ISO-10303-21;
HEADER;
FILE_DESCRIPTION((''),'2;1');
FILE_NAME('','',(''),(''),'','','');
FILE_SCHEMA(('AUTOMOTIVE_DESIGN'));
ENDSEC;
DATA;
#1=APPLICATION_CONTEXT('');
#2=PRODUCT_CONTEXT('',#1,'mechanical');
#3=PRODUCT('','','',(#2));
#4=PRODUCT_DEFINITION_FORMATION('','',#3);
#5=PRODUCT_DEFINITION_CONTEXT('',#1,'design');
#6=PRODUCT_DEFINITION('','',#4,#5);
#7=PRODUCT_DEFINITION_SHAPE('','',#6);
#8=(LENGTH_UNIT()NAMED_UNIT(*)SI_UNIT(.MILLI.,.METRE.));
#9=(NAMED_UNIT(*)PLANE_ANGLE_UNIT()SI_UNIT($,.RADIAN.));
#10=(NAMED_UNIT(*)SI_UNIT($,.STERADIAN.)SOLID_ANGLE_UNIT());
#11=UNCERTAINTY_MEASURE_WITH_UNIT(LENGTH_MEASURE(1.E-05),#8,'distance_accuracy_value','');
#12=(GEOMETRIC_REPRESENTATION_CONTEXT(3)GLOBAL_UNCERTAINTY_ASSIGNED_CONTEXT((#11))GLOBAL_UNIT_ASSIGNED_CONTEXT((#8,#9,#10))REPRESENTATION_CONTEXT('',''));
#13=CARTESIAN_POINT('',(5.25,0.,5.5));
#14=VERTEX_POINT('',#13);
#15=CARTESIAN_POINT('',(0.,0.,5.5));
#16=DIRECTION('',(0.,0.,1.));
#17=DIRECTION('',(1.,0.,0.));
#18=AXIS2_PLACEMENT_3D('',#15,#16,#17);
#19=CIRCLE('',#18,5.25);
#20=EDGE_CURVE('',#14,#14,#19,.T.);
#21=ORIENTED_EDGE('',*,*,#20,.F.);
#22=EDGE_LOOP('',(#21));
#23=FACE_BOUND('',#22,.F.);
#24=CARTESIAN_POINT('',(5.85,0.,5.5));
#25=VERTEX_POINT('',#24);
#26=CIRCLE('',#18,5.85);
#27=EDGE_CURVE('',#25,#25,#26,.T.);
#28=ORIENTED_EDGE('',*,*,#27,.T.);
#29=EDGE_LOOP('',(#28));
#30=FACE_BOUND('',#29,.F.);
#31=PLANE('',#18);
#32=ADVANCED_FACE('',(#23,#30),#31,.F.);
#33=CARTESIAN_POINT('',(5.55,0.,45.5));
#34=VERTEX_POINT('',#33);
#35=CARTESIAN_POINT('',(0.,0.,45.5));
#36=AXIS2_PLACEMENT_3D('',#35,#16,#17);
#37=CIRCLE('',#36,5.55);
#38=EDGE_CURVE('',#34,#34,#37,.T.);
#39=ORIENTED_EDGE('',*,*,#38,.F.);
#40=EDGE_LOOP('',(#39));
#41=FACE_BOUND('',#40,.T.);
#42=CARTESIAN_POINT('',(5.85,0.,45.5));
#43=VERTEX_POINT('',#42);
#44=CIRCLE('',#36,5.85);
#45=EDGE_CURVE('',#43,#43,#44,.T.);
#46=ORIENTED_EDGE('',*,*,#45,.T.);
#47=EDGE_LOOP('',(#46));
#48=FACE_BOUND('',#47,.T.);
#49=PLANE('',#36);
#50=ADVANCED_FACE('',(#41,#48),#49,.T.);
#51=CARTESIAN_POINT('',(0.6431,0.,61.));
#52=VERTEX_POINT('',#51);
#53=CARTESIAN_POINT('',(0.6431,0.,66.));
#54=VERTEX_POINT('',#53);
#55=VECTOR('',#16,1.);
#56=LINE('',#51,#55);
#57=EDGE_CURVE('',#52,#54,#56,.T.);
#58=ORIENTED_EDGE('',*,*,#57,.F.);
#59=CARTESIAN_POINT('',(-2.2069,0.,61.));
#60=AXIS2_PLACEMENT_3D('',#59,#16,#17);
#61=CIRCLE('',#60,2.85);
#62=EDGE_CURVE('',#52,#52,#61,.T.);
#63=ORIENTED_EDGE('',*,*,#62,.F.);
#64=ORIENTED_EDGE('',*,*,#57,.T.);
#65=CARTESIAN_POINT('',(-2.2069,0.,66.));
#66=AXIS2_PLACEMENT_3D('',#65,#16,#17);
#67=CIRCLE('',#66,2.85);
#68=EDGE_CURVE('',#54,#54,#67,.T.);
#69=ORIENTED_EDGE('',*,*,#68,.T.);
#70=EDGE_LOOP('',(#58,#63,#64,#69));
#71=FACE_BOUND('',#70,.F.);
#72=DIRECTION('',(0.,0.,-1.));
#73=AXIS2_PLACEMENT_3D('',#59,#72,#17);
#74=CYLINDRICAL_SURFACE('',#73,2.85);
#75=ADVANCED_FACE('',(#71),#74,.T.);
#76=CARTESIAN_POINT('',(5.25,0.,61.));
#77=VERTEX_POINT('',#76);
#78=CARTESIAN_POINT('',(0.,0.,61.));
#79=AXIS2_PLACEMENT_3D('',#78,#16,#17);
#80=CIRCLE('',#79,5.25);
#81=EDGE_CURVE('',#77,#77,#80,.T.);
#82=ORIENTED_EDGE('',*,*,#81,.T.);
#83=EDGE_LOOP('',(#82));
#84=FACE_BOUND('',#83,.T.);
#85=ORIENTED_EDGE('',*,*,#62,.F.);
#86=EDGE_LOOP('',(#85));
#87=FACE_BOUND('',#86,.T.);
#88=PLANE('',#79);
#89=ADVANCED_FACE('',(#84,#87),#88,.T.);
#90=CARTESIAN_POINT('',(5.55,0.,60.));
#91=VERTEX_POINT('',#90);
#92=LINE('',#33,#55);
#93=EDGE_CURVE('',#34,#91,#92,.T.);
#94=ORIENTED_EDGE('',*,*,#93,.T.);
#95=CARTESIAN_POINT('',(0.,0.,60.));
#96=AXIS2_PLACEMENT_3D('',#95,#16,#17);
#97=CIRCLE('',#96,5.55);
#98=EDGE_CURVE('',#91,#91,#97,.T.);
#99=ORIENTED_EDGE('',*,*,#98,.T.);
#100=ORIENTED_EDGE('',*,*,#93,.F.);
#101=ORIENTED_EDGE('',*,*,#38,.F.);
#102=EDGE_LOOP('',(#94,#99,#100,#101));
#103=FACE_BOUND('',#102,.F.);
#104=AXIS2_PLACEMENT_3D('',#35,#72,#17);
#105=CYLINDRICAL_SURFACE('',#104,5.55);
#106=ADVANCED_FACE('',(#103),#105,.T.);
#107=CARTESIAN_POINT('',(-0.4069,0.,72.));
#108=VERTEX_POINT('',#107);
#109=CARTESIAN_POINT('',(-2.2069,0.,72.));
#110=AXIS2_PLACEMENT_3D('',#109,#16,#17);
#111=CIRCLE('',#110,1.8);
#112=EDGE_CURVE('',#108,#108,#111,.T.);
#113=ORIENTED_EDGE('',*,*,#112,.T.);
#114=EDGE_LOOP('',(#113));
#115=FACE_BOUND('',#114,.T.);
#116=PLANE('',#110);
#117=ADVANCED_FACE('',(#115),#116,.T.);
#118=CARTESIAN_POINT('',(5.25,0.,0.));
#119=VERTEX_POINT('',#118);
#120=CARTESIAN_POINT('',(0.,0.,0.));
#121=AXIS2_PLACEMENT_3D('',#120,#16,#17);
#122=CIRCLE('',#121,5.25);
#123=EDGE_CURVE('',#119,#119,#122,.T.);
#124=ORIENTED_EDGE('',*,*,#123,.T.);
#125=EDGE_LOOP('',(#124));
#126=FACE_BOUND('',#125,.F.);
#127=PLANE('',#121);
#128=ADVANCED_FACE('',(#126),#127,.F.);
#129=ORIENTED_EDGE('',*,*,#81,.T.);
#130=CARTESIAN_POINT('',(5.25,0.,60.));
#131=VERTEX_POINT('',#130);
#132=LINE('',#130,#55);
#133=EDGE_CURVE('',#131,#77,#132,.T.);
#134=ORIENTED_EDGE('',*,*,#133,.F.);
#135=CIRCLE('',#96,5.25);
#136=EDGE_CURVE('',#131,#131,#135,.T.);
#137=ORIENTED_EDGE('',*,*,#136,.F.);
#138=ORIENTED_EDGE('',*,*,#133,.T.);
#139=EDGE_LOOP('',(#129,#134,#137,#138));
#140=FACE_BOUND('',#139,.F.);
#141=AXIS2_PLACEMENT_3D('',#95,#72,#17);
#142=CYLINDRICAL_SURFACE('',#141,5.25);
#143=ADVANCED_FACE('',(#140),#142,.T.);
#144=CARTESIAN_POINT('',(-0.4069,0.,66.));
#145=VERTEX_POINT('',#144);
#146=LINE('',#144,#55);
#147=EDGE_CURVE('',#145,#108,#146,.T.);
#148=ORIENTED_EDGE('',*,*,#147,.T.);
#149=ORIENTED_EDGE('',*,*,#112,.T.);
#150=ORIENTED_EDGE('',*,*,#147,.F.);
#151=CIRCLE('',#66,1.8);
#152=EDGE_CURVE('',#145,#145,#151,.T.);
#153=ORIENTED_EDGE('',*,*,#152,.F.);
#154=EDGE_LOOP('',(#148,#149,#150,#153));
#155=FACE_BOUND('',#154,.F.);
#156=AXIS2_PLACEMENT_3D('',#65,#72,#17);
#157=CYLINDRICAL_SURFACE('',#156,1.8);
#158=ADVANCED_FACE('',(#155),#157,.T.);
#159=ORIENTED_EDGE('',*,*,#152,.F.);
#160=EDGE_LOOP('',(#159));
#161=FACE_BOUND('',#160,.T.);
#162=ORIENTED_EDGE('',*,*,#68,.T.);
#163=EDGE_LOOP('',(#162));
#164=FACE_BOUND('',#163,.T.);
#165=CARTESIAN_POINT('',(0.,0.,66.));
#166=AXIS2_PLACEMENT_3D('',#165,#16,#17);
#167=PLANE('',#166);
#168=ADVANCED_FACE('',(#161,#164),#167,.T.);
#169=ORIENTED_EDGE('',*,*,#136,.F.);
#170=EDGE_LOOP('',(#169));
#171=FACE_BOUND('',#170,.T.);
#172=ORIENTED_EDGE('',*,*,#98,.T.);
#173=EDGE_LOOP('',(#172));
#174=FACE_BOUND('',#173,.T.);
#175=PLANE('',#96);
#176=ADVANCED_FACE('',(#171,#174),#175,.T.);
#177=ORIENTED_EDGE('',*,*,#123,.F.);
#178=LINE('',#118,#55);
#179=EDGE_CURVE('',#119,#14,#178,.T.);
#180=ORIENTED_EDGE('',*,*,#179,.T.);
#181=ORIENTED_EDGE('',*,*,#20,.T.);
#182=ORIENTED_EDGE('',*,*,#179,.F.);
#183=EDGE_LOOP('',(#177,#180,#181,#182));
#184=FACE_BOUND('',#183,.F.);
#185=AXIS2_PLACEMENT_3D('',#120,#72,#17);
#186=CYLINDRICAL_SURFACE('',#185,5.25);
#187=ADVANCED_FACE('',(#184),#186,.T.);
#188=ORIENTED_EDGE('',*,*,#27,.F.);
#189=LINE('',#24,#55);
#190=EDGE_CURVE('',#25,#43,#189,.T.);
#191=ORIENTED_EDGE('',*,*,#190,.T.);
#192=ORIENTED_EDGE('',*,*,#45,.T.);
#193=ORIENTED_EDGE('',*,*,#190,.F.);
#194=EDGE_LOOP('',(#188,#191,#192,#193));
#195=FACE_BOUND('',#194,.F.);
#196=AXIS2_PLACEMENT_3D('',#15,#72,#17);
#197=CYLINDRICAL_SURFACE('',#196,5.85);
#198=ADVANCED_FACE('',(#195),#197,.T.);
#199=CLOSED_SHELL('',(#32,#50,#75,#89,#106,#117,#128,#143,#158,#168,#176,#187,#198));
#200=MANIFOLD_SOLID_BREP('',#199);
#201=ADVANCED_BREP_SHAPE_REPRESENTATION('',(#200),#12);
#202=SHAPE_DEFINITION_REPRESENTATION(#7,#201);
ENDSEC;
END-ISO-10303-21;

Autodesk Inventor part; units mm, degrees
ref_plane "YZ Plane" through (0, 0, 0) normal (1, 0, 0) x (0, 1, 0)
ref_plane "XZ Plane" through (0, 0, 0) normal (0, 1, 0) x (-1, 0, 0)
ref_plane "XY Plane" through (0, 0, 0) normal (0, 0, 1) x (1, 0, 0)
sketch "Szkic1" plane through (0, 0, 0) normal (0, 0, 1) x (1, 0, 0)
  circle A0 centre (0, 0) radius 5.25
  dimension "d0" = 10.5
extrude "Wyciągnięcie proste1" add sketch "Szkic1" along normal blind 5.5
sketch "Szkic2" plane through (0, 0, 5.5) normal (0, 0, 1) x (1, 0, 0)
  circle A0 centre (0, 0) radius 5.25 projected
  circle A1 centre (0, 0) radius 5.85
  dimension "d3" = 11.7
extrude "Wyciągnięcie proste2" add sketch "Szkic2" along normal blind 40 contours A0 | A1
sketch "Szkic3" plane through (0, 0, 45.5) normal (0, 0, 1) x (1, 0, 0)
  circle A0 centre (0, 0) radius 5.85 projected
  circle A1 centre (0, 0) radius 5.55
  dimension "d6" = 11.1
extrude "Wyciągnięcie proste3" add sketch "Szkic3" along normal blind 14.5 contours A1
thread "Gwint1" size "M12x1.75" class "6g" standard "ANSI Metric M Profile" full length
sketch "Szkic4" plane through (0, 0, 60) normal (0, 0, 1) x (1, 0, 0)
  circle A0 centre (0, 0) radius 5.25
  dimension "d11" = 10.5
extrude "Wyciągnięcie proste4" add sketch "Szkic4" along normal blind 1
sketch "Szkic5" plane through (0, 0, 61) normal (0, 0, 1) x (1, 0, 0)
  circle A0 centre (0, 0) radius 5.25 projected
  circle A1 centre (-2.2069, 0) radius 2.85
  dimension "d14" = 5.7
extrude "Wyciągnięcie proste5" add sketch "Szkic5" along normal blind 5 contours A1
sketch "Szkic6" plane through (-2.2069, 0, 66) normal (0, 0, 1) x (1, 0, 0)
  circle A0 centre (0, 0) radius 2.85 projected
  circle A1 centre (0, 0) radius 1.8
  point P0 (2.2069, 0)
  dimension "d17" = 3.6
extrude "Wyciągnięcie proste6" add sketch "Szkic6" along normal blind 6 contours A1
properties part number "COTS_GENERIC_Induction_Distance_Sensor"
